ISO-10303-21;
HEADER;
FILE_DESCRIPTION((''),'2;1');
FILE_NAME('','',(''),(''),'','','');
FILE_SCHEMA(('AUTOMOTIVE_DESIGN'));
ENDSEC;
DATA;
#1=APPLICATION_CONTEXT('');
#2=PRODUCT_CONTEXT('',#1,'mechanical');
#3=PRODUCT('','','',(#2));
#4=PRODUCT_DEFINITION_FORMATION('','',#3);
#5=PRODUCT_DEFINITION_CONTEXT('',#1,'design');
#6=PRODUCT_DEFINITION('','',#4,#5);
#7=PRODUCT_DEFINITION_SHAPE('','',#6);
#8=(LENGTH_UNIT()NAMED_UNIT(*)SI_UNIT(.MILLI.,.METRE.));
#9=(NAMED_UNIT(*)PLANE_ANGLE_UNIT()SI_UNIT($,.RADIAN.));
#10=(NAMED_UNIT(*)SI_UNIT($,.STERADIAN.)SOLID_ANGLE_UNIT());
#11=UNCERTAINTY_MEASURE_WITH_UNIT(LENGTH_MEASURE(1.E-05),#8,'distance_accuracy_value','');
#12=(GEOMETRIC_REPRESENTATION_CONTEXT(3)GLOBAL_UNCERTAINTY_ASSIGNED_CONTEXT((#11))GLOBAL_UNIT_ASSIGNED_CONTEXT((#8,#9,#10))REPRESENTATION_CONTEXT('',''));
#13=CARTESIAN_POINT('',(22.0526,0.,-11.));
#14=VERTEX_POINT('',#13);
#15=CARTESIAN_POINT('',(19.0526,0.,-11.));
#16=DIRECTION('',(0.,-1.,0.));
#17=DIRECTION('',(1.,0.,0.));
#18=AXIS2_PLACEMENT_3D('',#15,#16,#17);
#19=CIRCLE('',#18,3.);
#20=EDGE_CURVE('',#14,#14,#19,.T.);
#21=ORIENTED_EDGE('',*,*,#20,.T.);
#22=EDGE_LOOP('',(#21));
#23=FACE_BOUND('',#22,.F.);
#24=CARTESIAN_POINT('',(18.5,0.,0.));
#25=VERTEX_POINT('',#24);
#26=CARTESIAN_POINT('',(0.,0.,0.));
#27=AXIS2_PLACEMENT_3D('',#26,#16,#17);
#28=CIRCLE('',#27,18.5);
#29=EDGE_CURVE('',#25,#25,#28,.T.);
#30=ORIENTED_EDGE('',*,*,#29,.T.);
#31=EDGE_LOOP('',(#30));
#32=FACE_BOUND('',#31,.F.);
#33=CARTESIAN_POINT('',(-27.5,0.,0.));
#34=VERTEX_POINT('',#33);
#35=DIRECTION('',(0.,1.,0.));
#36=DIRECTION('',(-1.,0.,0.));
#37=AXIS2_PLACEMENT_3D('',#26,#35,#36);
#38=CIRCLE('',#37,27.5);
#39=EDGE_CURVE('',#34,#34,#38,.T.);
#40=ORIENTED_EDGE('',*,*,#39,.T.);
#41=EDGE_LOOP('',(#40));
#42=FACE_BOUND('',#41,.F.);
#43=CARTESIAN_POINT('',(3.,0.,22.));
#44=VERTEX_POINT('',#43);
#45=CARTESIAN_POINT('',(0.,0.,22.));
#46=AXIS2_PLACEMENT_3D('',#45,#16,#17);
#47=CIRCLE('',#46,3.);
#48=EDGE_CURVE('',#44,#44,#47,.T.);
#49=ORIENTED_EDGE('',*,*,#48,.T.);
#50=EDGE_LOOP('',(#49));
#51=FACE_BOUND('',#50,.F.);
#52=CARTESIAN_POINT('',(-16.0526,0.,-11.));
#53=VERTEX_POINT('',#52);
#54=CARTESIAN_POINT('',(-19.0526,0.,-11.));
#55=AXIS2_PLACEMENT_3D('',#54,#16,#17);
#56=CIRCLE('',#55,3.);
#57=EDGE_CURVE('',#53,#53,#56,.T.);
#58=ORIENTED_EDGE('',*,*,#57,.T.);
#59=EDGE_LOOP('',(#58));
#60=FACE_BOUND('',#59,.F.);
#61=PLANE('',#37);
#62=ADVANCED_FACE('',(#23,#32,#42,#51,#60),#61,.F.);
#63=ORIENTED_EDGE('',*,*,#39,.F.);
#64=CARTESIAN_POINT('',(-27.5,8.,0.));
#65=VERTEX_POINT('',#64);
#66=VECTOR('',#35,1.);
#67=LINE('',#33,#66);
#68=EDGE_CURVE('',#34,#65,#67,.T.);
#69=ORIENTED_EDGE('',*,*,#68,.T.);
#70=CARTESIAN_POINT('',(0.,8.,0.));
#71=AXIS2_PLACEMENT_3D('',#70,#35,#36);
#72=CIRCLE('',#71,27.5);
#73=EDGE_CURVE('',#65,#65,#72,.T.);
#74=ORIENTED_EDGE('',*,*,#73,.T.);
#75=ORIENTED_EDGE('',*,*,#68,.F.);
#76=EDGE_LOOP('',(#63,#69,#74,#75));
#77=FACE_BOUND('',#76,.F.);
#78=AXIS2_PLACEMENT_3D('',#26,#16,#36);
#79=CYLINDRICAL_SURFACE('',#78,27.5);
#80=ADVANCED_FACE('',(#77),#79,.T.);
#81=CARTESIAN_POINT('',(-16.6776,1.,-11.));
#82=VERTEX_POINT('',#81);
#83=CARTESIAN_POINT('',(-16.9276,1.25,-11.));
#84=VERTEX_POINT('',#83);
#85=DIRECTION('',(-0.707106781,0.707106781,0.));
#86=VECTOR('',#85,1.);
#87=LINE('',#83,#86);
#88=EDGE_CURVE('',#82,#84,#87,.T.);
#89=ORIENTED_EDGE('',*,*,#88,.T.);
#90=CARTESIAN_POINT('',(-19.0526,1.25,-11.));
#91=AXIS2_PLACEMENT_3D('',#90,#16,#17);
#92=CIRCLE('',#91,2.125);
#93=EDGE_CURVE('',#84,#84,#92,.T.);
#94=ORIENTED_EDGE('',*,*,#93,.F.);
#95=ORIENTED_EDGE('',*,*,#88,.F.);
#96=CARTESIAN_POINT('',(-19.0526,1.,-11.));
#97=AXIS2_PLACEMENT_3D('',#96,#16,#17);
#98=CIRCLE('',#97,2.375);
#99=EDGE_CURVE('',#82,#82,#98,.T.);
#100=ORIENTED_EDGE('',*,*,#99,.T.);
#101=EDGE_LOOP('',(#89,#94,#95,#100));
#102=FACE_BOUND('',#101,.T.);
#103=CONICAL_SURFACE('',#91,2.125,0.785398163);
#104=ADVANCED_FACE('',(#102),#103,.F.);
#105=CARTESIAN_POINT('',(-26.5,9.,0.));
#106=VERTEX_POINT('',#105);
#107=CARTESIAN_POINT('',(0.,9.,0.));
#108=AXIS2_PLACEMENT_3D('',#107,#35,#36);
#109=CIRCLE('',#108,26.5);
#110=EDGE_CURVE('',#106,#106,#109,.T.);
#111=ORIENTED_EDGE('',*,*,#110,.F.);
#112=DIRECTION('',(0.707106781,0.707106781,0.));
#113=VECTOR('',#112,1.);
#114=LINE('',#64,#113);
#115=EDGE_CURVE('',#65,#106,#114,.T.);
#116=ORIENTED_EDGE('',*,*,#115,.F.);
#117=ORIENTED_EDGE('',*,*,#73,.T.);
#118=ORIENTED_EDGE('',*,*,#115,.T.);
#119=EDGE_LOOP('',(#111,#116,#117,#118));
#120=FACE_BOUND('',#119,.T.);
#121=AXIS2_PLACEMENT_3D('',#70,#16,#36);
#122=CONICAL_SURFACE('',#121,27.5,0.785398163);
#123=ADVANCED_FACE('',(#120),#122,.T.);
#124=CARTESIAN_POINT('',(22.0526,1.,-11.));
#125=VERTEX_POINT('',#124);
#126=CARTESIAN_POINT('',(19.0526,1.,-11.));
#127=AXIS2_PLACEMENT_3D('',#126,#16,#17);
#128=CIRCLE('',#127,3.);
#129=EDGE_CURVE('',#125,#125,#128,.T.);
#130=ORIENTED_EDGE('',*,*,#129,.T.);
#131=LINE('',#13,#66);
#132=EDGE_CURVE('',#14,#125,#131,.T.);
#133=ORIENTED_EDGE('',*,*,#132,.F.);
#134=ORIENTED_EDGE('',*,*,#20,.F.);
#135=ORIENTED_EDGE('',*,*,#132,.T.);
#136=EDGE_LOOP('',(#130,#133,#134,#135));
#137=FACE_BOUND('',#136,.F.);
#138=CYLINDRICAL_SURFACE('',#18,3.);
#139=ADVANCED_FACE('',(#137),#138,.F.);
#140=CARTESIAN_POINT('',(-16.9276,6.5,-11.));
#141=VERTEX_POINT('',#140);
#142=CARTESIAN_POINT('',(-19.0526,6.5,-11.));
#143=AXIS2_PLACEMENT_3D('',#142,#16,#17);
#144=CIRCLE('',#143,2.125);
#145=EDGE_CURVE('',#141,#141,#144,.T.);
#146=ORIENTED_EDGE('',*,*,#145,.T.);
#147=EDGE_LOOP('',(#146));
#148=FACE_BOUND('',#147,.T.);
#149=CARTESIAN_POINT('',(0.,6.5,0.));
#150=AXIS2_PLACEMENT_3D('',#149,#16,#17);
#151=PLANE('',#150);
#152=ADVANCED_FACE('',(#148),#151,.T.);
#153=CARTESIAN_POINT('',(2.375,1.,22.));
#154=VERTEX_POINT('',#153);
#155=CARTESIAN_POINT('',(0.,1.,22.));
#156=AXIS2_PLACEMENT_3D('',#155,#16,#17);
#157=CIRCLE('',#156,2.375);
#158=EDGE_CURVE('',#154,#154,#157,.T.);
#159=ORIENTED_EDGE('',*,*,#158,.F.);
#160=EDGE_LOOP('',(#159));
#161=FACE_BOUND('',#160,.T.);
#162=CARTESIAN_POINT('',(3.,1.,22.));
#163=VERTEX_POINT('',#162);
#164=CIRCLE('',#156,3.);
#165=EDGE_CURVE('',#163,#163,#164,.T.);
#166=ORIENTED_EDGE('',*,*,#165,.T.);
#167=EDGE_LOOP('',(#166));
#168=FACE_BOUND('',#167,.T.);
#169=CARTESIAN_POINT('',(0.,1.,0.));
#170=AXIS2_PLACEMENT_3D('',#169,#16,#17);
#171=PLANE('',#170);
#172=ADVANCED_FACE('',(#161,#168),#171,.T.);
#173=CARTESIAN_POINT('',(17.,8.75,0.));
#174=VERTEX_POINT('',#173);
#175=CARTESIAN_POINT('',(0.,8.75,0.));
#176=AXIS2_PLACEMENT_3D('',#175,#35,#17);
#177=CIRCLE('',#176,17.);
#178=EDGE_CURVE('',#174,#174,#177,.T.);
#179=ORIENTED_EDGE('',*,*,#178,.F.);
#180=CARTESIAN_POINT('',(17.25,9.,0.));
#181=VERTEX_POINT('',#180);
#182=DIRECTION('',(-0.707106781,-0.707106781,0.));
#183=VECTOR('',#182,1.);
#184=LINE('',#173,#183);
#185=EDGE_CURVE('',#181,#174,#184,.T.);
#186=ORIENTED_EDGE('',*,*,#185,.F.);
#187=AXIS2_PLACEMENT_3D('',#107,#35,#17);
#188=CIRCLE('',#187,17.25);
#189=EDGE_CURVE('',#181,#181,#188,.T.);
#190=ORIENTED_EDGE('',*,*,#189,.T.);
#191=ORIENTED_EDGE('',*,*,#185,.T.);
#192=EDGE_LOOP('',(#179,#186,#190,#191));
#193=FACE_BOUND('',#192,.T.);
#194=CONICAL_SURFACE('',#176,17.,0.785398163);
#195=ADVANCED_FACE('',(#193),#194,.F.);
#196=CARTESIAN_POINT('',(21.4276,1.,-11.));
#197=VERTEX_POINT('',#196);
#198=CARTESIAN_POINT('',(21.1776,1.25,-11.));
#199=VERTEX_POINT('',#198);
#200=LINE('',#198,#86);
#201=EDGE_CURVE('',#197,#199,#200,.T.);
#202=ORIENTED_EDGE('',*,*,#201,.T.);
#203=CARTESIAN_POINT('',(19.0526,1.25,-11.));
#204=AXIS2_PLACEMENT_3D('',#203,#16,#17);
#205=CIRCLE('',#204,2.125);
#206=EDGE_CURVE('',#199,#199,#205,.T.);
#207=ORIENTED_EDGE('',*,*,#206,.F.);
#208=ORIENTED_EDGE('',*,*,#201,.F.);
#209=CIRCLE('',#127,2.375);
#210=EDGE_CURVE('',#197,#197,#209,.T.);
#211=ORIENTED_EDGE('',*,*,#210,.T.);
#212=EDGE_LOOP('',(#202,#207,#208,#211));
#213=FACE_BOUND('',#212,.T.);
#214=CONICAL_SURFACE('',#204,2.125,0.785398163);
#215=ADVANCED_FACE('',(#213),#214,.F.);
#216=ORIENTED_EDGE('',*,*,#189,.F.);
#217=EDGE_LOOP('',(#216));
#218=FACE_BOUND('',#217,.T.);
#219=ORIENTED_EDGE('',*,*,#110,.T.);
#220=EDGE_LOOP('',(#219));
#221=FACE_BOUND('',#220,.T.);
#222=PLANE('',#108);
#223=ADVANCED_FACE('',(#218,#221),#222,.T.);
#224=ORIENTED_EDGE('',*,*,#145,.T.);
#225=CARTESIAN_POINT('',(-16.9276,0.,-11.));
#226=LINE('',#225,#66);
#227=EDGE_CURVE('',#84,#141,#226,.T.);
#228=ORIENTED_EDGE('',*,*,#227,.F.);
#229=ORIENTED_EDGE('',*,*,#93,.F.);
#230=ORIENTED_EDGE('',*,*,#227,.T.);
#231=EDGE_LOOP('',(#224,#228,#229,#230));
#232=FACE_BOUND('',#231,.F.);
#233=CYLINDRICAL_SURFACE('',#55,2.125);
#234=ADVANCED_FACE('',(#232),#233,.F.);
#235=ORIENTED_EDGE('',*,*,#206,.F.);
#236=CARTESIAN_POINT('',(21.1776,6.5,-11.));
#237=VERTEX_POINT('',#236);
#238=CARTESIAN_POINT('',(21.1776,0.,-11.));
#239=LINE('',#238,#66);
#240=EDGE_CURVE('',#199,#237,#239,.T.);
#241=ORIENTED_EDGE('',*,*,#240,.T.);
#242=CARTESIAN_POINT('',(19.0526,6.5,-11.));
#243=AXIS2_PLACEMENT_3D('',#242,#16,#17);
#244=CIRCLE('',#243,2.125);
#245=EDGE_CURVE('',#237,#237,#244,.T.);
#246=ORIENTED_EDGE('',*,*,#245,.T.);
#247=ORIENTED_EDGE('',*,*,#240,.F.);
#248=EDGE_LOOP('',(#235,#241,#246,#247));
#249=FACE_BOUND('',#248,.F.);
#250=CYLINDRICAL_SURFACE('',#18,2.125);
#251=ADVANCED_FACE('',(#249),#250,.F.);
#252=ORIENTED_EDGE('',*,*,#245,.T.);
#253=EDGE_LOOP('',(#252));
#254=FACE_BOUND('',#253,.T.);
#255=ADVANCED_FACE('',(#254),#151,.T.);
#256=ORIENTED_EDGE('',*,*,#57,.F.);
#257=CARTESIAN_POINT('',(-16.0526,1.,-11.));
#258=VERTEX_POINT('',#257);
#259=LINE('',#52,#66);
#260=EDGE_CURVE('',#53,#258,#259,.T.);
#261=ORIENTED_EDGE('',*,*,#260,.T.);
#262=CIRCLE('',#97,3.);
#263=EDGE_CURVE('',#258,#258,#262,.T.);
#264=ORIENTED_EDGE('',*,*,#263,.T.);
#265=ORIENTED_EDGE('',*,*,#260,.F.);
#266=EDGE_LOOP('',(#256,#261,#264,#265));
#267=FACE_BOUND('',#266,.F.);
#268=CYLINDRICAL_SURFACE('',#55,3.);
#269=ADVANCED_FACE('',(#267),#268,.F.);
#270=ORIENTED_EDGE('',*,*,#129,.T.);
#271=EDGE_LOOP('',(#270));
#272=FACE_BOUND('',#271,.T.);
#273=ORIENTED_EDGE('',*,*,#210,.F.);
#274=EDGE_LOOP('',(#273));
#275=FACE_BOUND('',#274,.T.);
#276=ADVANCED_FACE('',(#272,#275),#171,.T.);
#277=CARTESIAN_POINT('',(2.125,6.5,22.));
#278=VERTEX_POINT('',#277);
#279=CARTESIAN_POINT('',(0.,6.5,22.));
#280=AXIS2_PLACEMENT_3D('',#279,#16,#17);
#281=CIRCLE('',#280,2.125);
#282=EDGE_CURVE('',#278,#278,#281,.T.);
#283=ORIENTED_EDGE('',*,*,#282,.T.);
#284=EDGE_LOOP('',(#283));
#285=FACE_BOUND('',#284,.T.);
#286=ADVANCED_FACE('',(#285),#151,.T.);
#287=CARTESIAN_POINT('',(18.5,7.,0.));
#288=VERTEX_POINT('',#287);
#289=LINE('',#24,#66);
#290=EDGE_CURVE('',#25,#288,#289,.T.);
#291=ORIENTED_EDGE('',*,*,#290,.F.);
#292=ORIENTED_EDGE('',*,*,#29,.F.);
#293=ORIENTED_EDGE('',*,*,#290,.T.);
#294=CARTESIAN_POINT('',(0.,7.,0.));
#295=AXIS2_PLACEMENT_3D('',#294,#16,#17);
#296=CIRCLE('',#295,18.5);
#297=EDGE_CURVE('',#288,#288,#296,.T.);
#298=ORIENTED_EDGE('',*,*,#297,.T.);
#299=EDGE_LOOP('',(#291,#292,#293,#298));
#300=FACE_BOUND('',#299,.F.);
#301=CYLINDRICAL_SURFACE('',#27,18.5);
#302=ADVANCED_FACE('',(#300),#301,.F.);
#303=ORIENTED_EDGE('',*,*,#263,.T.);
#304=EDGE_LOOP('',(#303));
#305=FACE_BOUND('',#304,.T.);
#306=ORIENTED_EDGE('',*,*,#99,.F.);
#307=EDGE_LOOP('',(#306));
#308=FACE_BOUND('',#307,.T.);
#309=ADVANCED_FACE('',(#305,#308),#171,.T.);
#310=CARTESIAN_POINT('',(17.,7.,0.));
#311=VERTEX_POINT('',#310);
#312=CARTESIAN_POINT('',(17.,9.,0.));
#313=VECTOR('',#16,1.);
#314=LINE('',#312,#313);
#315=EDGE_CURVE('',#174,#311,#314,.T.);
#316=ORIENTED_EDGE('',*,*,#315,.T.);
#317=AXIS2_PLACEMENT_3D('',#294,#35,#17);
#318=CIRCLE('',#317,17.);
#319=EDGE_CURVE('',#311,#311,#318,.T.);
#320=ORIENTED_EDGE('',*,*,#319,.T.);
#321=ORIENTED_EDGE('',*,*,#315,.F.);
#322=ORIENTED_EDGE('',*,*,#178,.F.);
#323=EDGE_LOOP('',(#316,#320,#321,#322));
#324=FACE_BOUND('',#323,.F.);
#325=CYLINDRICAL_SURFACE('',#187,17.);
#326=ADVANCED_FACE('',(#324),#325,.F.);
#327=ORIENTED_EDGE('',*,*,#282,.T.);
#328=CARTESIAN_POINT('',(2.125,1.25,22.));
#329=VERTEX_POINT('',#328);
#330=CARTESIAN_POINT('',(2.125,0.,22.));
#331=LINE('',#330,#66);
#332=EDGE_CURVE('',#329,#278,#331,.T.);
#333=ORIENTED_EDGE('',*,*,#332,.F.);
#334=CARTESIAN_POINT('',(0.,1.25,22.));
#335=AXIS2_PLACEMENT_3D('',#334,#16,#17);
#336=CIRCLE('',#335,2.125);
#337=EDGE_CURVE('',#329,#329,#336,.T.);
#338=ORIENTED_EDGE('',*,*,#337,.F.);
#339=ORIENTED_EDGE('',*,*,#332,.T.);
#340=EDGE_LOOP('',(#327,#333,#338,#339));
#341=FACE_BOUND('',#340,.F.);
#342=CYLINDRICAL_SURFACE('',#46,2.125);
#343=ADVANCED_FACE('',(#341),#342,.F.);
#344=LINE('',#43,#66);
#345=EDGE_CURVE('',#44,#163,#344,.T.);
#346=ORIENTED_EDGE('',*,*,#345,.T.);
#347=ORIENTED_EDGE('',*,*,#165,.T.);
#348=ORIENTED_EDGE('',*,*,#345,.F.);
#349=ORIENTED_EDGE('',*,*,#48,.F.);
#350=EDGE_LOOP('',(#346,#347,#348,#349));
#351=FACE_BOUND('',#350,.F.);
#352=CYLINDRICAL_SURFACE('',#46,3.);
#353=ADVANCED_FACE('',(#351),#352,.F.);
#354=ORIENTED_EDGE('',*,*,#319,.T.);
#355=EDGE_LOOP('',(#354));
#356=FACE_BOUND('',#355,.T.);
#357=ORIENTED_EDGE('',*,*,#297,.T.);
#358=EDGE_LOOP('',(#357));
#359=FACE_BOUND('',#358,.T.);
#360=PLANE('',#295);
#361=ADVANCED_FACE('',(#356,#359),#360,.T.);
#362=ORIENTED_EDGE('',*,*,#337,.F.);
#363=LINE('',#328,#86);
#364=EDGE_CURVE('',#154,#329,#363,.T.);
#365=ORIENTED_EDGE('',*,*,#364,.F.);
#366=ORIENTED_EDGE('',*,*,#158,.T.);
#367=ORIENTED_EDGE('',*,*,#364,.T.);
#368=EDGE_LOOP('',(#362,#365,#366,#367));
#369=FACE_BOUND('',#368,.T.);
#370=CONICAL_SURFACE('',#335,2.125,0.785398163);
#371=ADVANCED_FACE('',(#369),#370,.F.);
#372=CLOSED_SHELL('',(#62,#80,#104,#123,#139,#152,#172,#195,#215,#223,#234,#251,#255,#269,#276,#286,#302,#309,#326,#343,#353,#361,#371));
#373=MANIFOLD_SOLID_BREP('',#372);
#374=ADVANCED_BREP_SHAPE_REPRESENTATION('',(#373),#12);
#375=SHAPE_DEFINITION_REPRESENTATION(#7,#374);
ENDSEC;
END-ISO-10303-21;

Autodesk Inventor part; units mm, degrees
ref_plane "YZ Plane" through (0, 0, 0) normal (1, 0, 0) x (0, 1, 0)
ref_plane "XZ Plane" through (0, 0, 0) normal (0, 1, 0) x (-1, 0, 0)
ref_plane "XY Plane" through (0, 0, 0) normal (0, 0, 1) x (1, 0, 0)
sketch "Sketch1" plane through (0, 0, 0) normal (0, 1, 0) x (-1, 0, 0)
  circle A0 centre (0, 0) radius 27.5
  dimension "d0" = 55
extrude "Extrusion1" add sketch "Sketch1" along normal blind 9
sketch "Sketch2" plane through (0, 9, 0) normal (0, 1, 0) x (1, 0, 0)
  circle A0 centre (0, 0) radius 17
  dimension "d3" = 34
extrude "Extrusion2" cut sketch "Sketch2" against normal through all
sketch "Sketch3" plane through (0, 0, 0) normal (0, -1, 0) x (1, 0, 0)
  circle A0 centre (0, 0) radius 18.5
  dimension "d6" = 37
extrude "Extrusion3" cut sketch "Sketch3" against normal blind 7
chamfer "Chamfer1" distance 1 angle 45 1 edges at (27.5, 9, 0)
sketch "Sketch4" plane through (0, 0, 0) normal (0, -1, 0) x (1, 0, 0)
  line L0 (0, 0) -> (0, 22)
  circle A0 centre (0, 22) radius 2.125
  circle A1 centre (-19.0526, -11) radius 2.125
  circle A2 centre (19.0526, -11) radius 2.125
  dimension "d12" = 22
  dimension "d13" = 4.25
  dimension "d16" = 360
extrude "Extrusion4" cut sketch "Sketch4" against normal blind 6.5
chamfer "Chamfer3" distance 0.25 angle 45 1 edges at (-17, 9, 0)
sketch "Sketch5" plane through (0, 0, 0) normal (0, -1, 0) x (1, 0, 0)
  circle A0 centre (0, 22) radius 2.125 projected
  circle A1 centre (0, 22) radius 3
  circle A2 centre (19.0526, -11) radius 2.125 projected
  circle A3 centre (19.0526, -11) radius 3
  circle A4 centre (-19.0526, -11) radius 2.125 projected
  circle A5 centre (-19.0526, -11) radius 3
  point P0 (0, 0)
  dimension "d26" = 6
  dimension "d27" = 6
  dimension "d28" = 6
extrude "Extrusion5" cut sketch "Sketch5" against normal blind 1 contours A1 | A2 | A3 | A4 | A5
chamfer "Chamfer7" distance 0.25 angle 45 3 edges at (-2.125, 1, 22) (16.9276, 1, -11) (-21.1776, 1, -11)
properties part number "Bearing_Holder" material "ABS Plastic"
